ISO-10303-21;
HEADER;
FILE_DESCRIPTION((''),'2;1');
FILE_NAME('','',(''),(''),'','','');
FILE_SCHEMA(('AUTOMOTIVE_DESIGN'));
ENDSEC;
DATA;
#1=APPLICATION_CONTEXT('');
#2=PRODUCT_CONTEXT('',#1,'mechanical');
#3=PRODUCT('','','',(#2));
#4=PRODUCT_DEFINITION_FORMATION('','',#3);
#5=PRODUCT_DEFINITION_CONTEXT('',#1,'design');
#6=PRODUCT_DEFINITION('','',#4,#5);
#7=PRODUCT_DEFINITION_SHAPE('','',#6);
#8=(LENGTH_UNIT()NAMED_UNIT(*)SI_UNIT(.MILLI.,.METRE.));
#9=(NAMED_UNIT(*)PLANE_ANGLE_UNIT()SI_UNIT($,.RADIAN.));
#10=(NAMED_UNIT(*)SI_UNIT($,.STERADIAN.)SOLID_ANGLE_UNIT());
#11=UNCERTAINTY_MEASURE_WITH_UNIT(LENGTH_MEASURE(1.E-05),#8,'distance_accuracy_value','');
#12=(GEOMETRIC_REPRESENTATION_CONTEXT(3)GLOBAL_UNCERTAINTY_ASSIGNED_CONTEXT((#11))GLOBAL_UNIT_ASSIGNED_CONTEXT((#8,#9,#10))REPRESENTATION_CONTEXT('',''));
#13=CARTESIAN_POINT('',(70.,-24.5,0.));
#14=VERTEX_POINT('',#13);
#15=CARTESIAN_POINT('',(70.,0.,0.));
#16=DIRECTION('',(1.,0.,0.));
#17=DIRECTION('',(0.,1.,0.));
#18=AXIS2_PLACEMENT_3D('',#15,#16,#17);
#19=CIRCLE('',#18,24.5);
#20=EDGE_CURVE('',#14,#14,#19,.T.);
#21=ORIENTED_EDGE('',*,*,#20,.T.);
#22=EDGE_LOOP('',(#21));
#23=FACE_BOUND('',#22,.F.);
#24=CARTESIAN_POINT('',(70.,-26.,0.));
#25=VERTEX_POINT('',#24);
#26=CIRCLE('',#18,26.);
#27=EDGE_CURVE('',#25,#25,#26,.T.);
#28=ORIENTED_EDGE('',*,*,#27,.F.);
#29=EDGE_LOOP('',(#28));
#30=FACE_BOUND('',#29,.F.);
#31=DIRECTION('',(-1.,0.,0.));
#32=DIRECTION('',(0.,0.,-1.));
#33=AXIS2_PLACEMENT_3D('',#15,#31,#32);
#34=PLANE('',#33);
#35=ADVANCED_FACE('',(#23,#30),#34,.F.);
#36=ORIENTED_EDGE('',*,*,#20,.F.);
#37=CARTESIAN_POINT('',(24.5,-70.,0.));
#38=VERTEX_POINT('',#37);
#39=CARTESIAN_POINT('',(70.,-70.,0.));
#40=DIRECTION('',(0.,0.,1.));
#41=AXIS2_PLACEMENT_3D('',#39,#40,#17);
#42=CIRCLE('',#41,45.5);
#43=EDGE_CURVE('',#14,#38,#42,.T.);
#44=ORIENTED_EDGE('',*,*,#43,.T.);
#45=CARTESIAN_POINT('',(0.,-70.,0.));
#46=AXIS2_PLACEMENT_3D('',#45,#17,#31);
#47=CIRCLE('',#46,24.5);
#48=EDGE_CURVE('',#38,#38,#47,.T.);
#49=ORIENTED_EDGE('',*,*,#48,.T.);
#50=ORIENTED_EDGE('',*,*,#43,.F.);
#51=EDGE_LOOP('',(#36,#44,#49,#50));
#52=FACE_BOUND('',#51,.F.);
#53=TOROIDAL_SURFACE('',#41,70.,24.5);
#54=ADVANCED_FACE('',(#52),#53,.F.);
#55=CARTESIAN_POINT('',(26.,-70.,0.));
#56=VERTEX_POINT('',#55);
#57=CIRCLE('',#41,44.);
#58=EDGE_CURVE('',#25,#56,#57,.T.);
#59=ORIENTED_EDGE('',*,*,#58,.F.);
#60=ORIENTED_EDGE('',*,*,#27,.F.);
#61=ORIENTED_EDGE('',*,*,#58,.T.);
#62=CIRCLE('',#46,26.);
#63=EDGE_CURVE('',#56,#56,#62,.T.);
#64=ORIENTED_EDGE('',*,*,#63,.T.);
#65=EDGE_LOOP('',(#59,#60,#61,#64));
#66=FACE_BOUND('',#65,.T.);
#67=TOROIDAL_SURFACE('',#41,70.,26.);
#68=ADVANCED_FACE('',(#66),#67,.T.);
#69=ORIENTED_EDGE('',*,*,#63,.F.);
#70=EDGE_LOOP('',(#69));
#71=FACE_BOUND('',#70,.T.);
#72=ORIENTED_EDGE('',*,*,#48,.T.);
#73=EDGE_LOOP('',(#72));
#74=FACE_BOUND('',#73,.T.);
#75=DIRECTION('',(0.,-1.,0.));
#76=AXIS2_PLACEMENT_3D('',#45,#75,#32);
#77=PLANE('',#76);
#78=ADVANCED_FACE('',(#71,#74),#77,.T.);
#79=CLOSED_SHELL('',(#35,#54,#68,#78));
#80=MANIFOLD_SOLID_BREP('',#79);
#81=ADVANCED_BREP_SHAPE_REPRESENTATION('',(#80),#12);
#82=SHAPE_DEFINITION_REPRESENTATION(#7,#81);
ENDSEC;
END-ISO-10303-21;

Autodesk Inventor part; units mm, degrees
ref_plane "YZ Plane" through (0, 0, 0) normal (1, 0, 0) x (0, 1, 0)
ref_plane "XZ Plane" through (0, 0, 0) normal (0, 1, 0) x (-1, 0, 0)
sketch "Szkic6" plane through (0, 0, 0) normal (0, 0, 1) x (1, 0, 0)
  line L0 (-29.6067, 0) -> (35.2678, 0) construction
  line L1 (0, 42.3419) -> (0, -58.3726) construction
  arc A0 (70, 0) -> (0, -70) centre (70, -70) ccw
  line L2 (0, -70) -> (70, -70) construction
  line L3 (70, -70) -> (70, -4.4669) construction
  line L4 (70, 0) -> (70, 0)
  line L5 (0, -70) -> (0, -70)
  point P0 (0, 0)
  dimension "d24" = 70
  dimension "d31" = 90
  dimension "d36" = 0
  dimension "d37" = 0
ref_plane "Płaszczyzna konstrukcyjna2" through (0, -70, 0) normal (0, -1, 0) x (1, 0, 0)
sketch "Szkic8" plane through (0, -70, 0) normal (0, -1, 0) x (1, 0, 0)
  circle A0 centre (0, 0) radius 26
  circle A1 centre (0, 0) radius 24.5
  dimension "d32" = 52
  dimension "d33" = 1.5
sweep "Przeciągnięcie2" add profiles "Szkic8" path "Szkic6"
equation "\"d32\" = OD"
equation "\"d33\" = THK"
equation "\"d24\" = R"
equation "\"d31\" = KAT"
equation "\"SzerokośćGięciaPodcięcia\" = Grubość"
equation "\"RozmiarPodcięciaNarożnika\" = 4 * Grubość"
equation "\"PromieńPrzejścia\" = PromieńGięcia"
equation "\"Rozmiar_promienia_Jacobiego\" = PromieńGięcia"
equation "\"Wielk_odstępu\" = Grubość"
equation "\"d2\" = PromieńGięcia"
equation "\"d23\" = PromieńGięcia"
equation "\"R\" = 70"
equation "\"OD\" = 52"
equation "\"THK\" = 1.5"
equation "\"KAT\" = 90deg"
equation "\"PROSTKA\" = 0"
equation "\"Grubość\" = 1.5"
equation "\"PromieńGięcia\" = 3"
properties part number "Kolano 90° ø52x1,5 R70" material "304L"
